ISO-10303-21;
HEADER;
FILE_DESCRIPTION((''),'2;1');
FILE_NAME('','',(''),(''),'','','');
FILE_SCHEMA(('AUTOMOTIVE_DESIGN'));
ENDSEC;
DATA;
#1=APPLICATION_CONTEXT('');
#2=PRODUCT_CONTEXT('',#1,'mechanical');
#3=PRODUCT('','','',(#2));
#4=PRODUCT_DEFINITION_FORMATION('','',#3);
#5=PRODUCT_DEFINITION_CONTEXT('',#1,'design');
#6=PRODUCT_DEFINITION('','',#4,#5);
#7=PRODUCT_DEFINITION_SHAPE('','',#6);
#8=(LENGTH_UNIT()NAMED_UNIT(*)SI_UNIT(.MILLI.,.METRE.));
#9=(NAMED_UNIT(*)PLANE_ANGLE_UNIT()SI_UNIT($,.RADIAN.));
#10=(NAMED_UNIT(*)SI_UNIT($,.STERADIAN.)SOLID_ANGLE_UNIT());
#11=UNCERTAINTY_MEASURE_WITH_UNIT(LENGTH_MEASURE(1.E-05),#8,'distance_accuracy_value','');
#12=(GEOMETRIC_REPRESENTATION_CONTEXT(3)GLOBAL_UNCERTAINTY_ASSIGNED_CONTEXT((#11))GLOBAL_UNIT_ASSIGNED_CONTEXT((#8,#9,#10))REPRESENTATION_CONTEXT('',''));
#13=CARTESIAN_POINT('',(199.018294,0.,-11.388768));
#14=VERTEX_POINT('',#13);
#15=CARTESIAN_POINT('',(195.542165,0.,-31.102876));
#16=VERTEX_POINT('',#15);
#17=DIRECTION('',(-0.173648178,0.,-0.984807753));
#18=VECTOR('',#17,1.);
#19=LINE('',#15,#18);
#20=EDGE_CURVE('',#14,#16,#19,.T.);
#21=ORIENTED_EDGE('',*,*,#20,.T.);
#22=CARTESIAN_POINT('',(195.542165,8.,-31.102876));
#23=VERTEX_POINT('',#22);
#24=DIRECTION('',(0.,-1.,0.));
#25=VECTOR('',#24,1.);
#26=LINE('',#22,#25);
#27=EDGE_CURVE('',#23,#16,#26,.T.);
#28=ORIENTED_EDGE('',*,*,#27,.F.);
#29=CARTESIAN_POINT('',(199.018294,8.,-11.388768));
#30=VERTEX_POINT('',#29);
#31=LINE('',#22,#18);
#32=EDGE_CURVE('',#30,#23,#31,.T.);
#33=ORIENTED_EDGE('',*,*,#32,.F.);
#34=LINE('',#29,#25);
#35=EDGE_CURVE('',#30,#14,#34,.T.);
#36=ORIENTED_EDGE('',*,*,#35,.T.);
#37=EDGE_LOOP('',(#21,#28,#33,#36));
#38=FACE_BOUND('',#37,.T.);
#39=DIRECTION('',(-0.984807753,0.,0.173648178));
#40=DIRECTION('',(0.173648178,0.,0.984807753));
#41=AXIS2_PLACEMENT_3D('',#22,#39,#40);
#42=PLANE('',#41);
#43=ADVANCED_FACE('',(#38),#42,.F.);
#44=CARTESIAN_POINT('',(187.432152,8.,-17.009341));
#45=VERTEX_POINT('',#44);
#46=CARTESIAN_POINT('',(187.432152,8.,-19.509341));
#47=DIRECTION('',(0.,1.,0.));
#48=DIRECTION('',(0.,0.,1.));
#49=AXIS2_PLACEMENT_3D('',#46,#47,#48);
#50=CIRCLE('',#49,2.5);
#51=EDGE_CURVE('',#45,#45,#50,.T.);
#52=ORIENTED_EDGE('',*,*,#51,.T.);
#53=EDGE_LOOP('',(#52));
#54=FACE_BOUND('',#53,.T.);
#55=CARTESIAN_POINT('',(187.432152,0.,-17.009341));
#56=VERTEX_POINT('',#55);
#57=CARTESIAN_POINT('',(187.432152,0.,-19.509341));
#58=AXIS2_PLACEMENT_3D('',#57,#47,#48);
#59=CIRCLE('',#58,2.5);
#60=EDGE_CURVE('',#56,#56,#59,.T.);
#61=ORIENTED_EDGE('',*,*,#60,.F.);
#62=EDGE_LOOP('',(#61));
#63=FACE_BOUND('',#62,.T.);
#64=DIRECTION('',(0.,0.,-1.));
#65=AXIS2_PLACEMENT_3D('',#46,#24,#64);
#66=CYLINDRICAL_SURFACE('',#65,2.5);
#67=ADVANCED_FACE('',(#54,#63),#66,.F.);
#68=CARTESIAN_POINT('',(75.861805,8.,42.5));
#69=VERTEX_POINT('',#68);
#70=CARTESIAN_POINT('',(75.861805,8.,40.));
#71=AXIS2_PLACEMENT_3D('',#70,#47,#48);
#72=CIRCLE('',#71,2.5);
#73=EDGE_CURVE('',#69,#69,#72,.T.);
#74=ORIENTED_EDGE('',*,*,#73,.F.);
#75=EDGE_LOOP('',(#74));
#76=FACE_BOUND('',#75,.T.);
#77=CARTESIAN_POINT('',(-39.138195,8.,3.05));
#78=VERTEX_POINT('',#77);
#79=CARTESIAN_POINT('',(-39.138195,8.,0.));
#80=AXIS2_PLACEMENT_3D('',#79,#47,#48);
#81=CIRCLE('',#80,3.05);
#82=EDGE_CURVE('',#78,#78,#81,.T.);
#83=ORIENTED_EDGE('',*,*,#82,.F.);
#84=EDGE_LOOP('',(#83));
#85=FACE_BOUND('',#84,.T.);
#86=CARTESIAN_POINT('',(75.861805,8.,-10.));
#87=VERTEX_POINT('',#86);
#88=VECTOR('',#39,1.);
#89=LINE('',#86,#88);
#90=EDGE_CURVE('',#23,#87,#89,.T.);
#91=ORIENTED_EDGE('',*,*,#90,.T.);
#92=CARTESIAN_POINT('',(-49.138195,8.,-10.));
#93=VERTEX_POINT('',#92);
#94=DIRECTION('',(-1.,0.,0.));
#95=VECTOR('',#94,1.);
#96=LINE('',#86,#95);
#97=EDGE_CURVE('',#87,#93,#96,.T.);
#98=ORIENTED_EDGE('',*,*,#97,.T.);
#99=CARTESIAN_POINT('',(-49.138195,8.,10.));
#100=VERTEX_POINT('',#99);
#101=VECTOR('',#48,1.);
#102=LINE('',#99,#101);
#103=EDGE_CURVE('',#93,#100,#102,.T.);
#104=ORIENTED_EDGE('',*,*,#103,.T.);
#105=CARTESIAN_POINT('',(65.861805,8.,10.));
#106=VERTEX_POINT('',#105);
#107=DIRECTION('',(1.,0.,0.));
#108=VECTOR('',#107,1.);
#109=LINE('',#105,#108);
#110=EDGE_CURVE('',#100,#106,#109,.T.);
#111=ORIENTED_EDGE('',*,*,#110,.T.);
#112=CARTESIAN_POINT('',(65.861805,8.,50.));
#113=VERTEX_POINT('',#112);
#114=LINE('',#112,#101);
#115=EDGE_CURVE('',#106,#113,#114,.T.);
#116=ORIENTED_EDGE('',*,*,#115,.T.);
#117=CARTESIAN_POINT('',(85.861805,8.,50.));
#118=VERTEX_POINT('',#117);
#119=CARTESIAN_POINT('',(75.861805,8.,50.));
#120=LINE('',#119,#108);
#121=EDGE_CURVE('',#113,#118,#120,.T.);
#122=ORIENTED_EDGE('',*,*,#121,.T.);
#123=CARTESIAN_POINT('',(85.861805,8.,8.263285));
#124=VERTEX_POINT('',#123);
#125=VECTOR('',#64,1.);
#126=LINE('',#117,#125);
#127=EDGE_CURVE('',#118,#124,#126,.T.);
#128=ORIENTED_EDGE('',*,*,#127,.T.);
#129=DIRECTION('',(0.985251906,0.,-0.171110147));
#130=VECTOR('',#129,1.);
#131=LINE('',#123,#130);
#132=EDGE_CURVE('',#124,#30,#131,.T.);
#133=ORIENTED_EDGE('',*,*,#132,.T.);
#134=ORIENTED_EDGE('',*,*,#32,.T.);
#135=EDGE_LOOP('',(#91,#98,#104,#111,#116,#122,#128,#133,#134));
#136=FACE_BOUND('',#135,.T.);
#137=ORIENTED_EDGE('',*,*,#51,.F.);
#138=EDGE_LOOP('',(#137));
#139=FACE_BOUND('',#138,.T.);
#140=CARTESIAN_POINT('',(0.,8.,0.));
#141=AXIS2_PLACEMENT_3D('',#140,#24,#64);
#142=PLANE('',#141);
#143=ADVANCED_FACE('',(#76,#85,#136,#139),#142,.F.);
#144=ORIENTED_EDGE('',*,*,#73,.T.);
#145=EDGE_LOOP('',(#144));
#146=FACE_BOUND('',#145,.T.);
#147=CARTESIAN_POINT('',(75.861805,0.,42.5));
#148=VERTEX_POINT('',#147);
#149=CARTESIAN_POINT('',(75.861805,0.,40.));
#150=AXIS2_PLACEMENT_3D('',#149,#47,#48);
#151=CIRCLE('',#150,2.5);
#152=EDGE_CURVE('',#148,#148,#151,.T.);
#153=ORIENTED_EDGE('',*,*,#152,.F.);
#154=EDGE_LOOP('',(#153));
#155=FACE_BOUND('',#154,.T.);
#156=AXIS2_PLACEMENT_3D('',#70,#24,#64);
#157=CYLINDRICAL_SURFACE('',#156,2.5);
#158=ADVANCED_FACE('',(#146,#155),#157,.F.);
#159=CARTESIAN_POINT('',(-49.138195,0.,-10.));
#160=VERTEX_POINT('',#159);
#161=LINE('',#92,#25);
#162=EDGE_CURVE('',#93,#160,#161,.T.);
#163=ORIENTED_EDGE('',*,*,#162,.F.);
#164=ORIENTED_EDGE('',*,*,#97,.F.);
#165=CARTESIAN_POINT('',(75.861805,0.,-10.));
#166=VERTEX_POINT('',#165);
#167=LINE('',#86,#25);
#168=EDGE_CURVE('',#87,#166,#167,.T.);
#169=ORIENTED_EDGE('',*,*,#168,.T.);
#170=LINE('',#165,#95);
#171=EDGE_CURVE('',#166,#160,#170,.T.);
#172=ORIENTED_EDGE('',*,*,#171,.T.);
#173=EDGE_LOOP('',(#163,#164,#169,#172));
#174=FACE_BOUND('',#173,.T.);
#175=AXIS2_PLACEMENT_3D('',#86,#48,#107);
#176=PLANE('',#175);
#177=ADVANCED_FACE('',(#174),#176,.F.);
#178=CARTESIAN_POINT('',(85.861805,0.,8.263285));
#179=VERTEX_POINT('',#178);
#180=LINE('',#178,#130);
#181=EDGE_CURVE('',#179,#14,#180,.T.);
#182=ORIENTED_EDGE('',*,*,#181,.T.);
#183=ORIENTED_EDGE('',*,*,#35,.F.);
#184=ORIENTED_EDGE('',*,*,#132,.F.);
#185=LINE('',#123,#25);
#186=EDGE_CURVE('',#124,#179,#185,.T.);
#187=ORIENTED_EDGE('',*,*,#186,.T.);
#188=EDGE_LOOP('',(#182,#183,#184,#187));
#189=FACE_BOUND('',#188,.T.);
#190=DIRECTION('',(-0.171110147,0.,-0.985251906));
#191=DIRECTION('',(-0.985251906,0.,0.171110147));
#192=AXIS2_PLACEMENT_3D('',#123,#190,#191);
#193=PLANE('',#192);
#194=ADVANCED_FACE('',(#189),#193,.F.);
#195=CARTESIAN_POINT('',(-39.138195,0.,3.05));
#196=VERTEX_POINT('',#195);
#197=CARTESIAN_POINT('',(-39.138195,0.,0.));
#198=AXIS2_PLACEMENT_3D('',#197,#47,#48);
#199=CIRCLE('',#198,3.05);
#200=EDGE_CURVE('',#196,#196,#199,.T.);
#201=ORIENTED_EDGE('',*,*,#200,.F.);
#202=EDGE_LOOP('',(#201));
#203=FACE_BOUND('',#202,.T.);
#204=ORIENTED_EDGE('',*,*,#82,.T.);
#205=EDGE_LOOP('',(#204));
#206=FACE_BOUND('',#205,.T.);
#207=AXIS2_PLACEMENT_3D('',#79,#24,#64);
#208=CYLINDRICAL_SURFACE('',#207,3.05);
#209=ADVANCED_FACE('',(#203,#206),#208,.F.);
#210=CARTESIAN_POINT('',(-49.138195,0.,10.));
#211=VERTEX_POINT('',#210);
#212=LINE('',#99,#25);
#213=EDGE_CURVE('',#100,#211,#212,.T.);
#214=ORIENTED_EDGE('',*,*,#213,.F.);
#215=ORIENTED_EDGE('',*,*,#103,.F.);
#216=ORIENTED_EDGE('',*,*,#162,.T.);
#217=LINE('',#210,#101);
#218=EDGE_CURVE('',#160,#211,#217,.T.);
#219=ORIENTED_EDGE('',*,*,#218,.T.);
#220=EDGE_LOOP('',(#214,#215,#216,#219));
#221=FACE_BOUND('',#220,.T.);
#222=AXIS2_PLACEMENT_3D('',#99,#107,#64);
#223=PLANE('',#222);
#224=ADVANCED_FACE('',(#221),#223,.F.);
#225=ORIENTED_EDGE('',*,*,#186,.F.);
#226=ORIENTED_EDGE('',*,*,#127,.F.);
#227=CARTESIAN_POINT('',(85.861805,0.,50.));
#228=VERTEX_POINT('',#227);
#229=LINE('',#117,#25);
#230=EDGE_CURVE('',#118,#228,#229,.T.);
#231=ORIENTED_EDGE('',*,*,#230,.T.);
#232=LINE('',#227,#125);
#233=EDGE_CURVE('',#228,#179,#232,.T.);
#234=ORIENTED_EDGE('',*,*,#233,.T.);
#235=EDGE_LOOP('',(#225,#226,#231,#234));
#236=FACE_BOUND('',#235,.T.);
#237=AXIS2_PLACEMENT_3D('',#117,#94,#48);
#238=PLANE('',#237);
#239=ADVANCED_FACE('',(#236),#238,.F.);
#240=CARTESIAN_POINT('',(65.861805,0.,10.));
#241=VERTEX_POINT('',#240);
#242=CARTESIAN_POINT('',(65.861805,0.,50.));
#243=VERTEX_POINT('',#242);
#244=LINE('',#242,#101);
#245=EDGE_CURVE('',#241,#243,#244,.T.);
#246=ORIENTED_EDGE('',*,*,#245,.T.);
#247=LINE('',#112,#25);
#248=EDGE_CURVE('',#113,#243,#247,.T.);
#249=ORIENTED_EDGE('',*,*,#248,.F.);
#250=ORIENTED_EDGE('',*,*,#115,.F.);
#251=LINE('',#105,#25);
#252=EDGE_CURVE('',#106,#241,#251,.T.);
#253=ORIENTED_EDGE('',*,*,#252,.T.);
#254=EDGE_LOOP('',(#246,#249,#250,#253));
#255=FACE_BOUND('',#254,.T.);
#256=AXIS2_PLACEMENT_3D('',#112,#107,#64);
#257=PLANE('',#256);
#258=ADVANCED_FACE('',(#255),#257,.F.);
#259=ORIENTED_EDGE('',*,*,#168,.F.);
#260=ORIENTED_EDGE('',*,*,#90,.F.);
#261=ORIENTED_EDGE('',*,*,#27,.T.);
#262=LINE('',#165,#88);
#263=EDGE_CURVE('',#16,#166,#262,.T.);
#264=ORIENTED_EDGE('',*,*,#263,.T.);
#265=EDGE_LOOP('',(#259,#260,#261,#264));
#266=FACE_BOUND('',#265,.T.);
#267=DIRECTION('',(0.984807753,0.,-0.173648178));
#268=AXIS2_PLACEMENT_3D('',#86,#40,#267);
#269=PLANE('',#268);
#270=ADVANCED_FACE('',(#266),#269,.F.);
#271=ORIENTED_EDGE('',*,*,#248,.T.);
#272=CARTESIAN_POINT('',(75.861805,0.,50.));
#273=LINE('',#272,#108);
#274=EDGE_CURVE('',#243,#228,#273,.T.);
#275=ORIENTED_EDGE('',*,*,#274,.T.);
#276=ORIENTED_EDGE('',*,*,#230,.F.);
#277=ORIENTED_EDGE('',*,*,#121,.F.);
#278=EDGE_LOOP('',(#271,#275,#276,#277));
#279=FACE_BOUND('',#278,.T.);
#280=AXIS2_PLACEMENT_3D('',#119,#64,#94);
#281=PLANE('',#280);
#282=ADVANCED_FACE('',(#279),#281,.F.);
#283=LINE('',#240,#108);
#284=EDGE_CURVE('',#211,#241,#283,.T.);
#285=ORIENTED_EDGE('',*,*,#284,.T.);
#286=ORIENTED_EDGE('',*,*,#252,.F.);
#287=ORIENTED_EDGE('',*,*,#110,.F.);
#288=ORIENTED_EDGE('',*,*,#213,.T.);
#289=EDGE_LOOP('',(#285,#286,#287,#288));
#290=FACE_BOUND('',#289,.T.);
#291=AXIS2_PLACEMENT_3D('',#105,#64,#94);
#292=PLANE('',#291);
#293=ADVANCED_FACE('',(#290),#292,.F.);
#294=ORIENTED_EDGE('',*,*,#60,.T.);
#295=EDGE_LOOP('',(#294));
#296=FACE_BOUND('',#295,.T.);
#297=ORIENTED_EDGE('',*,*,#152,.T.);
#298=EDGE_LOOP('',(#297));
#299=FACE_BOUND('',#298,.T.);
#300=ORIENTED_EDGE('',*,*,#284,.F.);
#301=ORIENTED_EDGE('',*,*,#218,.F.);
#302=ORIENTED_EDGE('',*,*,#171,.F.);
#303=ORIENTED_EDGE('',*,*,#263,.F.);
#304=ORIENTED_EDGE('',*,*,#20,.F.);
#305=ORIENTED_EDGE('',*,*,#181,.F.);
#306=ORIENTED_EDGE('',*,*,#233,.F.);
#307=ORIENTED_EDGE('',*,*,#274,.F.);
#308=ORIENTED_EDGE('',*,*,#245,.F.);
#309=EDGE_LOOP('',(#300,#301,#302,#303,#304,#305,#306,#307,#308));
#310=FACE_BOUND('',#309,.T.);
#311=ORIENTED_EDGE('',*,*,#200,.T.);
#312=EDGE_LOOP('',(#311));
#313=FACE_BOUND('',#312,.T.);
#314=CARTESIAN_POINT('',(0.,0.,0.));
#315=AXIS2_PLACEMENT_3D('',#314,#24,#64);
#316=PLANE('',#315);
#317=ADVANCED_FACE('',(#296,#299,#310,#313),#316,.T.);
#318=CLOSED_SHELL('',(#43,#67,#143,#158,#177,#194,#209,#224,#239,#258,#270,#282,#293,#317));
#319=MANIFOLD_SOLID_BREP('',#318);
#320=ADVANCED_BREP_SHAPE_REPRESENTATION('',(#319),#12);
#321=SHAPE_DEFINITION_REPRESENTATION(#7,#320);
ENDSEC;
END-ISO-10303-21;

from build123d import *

# Parameters (mm, degrees)
SKETCH1_R           = 3.05
SKETCH1_R_2         = 2.5
BOSS_EXTRUDE1_DEPTH = 8


with BuildPart() as part:
    # Sketch1 → Boss-Extrude1 (new body)
    with BuildSketch(Plane(origin=(0, 0, 0), x_dir=(1, 0, 0), z_dir=(0, 1, 0))):
        Polygon((75.861805451, 10), (195.542164518, 31.102876365), (199.018293649, 11.388768424), (85.861805451, -8.263285294), (85.861805451, -50), (75.861805451, -50), (65.861805451, -50), (65.861805451, -10), (-49.138194549, -10), (-49.138194549, 10), align=None)
        with Locations(Location((-39.138194549, 0, 0), (0, 0, 270))):
            Circle(SKETCH1_R, mode=Mode.SUBTRACT)
        with Locations(Location((75.861805451, -40, 0), (0, 0, 270))):
            Circle(SKETCH1_R_2, mode=Mode.SUBTRACT)
        with Locations(Location((187.432151553, 19.509340618, 0), (0, 0, 270))):
            Circle(SKETCH1_R_2, mode=Mode.SUBTRACT)
    extrude(amount=BOSS_EXTRUDE1_DEPTH)


solid = part.part
